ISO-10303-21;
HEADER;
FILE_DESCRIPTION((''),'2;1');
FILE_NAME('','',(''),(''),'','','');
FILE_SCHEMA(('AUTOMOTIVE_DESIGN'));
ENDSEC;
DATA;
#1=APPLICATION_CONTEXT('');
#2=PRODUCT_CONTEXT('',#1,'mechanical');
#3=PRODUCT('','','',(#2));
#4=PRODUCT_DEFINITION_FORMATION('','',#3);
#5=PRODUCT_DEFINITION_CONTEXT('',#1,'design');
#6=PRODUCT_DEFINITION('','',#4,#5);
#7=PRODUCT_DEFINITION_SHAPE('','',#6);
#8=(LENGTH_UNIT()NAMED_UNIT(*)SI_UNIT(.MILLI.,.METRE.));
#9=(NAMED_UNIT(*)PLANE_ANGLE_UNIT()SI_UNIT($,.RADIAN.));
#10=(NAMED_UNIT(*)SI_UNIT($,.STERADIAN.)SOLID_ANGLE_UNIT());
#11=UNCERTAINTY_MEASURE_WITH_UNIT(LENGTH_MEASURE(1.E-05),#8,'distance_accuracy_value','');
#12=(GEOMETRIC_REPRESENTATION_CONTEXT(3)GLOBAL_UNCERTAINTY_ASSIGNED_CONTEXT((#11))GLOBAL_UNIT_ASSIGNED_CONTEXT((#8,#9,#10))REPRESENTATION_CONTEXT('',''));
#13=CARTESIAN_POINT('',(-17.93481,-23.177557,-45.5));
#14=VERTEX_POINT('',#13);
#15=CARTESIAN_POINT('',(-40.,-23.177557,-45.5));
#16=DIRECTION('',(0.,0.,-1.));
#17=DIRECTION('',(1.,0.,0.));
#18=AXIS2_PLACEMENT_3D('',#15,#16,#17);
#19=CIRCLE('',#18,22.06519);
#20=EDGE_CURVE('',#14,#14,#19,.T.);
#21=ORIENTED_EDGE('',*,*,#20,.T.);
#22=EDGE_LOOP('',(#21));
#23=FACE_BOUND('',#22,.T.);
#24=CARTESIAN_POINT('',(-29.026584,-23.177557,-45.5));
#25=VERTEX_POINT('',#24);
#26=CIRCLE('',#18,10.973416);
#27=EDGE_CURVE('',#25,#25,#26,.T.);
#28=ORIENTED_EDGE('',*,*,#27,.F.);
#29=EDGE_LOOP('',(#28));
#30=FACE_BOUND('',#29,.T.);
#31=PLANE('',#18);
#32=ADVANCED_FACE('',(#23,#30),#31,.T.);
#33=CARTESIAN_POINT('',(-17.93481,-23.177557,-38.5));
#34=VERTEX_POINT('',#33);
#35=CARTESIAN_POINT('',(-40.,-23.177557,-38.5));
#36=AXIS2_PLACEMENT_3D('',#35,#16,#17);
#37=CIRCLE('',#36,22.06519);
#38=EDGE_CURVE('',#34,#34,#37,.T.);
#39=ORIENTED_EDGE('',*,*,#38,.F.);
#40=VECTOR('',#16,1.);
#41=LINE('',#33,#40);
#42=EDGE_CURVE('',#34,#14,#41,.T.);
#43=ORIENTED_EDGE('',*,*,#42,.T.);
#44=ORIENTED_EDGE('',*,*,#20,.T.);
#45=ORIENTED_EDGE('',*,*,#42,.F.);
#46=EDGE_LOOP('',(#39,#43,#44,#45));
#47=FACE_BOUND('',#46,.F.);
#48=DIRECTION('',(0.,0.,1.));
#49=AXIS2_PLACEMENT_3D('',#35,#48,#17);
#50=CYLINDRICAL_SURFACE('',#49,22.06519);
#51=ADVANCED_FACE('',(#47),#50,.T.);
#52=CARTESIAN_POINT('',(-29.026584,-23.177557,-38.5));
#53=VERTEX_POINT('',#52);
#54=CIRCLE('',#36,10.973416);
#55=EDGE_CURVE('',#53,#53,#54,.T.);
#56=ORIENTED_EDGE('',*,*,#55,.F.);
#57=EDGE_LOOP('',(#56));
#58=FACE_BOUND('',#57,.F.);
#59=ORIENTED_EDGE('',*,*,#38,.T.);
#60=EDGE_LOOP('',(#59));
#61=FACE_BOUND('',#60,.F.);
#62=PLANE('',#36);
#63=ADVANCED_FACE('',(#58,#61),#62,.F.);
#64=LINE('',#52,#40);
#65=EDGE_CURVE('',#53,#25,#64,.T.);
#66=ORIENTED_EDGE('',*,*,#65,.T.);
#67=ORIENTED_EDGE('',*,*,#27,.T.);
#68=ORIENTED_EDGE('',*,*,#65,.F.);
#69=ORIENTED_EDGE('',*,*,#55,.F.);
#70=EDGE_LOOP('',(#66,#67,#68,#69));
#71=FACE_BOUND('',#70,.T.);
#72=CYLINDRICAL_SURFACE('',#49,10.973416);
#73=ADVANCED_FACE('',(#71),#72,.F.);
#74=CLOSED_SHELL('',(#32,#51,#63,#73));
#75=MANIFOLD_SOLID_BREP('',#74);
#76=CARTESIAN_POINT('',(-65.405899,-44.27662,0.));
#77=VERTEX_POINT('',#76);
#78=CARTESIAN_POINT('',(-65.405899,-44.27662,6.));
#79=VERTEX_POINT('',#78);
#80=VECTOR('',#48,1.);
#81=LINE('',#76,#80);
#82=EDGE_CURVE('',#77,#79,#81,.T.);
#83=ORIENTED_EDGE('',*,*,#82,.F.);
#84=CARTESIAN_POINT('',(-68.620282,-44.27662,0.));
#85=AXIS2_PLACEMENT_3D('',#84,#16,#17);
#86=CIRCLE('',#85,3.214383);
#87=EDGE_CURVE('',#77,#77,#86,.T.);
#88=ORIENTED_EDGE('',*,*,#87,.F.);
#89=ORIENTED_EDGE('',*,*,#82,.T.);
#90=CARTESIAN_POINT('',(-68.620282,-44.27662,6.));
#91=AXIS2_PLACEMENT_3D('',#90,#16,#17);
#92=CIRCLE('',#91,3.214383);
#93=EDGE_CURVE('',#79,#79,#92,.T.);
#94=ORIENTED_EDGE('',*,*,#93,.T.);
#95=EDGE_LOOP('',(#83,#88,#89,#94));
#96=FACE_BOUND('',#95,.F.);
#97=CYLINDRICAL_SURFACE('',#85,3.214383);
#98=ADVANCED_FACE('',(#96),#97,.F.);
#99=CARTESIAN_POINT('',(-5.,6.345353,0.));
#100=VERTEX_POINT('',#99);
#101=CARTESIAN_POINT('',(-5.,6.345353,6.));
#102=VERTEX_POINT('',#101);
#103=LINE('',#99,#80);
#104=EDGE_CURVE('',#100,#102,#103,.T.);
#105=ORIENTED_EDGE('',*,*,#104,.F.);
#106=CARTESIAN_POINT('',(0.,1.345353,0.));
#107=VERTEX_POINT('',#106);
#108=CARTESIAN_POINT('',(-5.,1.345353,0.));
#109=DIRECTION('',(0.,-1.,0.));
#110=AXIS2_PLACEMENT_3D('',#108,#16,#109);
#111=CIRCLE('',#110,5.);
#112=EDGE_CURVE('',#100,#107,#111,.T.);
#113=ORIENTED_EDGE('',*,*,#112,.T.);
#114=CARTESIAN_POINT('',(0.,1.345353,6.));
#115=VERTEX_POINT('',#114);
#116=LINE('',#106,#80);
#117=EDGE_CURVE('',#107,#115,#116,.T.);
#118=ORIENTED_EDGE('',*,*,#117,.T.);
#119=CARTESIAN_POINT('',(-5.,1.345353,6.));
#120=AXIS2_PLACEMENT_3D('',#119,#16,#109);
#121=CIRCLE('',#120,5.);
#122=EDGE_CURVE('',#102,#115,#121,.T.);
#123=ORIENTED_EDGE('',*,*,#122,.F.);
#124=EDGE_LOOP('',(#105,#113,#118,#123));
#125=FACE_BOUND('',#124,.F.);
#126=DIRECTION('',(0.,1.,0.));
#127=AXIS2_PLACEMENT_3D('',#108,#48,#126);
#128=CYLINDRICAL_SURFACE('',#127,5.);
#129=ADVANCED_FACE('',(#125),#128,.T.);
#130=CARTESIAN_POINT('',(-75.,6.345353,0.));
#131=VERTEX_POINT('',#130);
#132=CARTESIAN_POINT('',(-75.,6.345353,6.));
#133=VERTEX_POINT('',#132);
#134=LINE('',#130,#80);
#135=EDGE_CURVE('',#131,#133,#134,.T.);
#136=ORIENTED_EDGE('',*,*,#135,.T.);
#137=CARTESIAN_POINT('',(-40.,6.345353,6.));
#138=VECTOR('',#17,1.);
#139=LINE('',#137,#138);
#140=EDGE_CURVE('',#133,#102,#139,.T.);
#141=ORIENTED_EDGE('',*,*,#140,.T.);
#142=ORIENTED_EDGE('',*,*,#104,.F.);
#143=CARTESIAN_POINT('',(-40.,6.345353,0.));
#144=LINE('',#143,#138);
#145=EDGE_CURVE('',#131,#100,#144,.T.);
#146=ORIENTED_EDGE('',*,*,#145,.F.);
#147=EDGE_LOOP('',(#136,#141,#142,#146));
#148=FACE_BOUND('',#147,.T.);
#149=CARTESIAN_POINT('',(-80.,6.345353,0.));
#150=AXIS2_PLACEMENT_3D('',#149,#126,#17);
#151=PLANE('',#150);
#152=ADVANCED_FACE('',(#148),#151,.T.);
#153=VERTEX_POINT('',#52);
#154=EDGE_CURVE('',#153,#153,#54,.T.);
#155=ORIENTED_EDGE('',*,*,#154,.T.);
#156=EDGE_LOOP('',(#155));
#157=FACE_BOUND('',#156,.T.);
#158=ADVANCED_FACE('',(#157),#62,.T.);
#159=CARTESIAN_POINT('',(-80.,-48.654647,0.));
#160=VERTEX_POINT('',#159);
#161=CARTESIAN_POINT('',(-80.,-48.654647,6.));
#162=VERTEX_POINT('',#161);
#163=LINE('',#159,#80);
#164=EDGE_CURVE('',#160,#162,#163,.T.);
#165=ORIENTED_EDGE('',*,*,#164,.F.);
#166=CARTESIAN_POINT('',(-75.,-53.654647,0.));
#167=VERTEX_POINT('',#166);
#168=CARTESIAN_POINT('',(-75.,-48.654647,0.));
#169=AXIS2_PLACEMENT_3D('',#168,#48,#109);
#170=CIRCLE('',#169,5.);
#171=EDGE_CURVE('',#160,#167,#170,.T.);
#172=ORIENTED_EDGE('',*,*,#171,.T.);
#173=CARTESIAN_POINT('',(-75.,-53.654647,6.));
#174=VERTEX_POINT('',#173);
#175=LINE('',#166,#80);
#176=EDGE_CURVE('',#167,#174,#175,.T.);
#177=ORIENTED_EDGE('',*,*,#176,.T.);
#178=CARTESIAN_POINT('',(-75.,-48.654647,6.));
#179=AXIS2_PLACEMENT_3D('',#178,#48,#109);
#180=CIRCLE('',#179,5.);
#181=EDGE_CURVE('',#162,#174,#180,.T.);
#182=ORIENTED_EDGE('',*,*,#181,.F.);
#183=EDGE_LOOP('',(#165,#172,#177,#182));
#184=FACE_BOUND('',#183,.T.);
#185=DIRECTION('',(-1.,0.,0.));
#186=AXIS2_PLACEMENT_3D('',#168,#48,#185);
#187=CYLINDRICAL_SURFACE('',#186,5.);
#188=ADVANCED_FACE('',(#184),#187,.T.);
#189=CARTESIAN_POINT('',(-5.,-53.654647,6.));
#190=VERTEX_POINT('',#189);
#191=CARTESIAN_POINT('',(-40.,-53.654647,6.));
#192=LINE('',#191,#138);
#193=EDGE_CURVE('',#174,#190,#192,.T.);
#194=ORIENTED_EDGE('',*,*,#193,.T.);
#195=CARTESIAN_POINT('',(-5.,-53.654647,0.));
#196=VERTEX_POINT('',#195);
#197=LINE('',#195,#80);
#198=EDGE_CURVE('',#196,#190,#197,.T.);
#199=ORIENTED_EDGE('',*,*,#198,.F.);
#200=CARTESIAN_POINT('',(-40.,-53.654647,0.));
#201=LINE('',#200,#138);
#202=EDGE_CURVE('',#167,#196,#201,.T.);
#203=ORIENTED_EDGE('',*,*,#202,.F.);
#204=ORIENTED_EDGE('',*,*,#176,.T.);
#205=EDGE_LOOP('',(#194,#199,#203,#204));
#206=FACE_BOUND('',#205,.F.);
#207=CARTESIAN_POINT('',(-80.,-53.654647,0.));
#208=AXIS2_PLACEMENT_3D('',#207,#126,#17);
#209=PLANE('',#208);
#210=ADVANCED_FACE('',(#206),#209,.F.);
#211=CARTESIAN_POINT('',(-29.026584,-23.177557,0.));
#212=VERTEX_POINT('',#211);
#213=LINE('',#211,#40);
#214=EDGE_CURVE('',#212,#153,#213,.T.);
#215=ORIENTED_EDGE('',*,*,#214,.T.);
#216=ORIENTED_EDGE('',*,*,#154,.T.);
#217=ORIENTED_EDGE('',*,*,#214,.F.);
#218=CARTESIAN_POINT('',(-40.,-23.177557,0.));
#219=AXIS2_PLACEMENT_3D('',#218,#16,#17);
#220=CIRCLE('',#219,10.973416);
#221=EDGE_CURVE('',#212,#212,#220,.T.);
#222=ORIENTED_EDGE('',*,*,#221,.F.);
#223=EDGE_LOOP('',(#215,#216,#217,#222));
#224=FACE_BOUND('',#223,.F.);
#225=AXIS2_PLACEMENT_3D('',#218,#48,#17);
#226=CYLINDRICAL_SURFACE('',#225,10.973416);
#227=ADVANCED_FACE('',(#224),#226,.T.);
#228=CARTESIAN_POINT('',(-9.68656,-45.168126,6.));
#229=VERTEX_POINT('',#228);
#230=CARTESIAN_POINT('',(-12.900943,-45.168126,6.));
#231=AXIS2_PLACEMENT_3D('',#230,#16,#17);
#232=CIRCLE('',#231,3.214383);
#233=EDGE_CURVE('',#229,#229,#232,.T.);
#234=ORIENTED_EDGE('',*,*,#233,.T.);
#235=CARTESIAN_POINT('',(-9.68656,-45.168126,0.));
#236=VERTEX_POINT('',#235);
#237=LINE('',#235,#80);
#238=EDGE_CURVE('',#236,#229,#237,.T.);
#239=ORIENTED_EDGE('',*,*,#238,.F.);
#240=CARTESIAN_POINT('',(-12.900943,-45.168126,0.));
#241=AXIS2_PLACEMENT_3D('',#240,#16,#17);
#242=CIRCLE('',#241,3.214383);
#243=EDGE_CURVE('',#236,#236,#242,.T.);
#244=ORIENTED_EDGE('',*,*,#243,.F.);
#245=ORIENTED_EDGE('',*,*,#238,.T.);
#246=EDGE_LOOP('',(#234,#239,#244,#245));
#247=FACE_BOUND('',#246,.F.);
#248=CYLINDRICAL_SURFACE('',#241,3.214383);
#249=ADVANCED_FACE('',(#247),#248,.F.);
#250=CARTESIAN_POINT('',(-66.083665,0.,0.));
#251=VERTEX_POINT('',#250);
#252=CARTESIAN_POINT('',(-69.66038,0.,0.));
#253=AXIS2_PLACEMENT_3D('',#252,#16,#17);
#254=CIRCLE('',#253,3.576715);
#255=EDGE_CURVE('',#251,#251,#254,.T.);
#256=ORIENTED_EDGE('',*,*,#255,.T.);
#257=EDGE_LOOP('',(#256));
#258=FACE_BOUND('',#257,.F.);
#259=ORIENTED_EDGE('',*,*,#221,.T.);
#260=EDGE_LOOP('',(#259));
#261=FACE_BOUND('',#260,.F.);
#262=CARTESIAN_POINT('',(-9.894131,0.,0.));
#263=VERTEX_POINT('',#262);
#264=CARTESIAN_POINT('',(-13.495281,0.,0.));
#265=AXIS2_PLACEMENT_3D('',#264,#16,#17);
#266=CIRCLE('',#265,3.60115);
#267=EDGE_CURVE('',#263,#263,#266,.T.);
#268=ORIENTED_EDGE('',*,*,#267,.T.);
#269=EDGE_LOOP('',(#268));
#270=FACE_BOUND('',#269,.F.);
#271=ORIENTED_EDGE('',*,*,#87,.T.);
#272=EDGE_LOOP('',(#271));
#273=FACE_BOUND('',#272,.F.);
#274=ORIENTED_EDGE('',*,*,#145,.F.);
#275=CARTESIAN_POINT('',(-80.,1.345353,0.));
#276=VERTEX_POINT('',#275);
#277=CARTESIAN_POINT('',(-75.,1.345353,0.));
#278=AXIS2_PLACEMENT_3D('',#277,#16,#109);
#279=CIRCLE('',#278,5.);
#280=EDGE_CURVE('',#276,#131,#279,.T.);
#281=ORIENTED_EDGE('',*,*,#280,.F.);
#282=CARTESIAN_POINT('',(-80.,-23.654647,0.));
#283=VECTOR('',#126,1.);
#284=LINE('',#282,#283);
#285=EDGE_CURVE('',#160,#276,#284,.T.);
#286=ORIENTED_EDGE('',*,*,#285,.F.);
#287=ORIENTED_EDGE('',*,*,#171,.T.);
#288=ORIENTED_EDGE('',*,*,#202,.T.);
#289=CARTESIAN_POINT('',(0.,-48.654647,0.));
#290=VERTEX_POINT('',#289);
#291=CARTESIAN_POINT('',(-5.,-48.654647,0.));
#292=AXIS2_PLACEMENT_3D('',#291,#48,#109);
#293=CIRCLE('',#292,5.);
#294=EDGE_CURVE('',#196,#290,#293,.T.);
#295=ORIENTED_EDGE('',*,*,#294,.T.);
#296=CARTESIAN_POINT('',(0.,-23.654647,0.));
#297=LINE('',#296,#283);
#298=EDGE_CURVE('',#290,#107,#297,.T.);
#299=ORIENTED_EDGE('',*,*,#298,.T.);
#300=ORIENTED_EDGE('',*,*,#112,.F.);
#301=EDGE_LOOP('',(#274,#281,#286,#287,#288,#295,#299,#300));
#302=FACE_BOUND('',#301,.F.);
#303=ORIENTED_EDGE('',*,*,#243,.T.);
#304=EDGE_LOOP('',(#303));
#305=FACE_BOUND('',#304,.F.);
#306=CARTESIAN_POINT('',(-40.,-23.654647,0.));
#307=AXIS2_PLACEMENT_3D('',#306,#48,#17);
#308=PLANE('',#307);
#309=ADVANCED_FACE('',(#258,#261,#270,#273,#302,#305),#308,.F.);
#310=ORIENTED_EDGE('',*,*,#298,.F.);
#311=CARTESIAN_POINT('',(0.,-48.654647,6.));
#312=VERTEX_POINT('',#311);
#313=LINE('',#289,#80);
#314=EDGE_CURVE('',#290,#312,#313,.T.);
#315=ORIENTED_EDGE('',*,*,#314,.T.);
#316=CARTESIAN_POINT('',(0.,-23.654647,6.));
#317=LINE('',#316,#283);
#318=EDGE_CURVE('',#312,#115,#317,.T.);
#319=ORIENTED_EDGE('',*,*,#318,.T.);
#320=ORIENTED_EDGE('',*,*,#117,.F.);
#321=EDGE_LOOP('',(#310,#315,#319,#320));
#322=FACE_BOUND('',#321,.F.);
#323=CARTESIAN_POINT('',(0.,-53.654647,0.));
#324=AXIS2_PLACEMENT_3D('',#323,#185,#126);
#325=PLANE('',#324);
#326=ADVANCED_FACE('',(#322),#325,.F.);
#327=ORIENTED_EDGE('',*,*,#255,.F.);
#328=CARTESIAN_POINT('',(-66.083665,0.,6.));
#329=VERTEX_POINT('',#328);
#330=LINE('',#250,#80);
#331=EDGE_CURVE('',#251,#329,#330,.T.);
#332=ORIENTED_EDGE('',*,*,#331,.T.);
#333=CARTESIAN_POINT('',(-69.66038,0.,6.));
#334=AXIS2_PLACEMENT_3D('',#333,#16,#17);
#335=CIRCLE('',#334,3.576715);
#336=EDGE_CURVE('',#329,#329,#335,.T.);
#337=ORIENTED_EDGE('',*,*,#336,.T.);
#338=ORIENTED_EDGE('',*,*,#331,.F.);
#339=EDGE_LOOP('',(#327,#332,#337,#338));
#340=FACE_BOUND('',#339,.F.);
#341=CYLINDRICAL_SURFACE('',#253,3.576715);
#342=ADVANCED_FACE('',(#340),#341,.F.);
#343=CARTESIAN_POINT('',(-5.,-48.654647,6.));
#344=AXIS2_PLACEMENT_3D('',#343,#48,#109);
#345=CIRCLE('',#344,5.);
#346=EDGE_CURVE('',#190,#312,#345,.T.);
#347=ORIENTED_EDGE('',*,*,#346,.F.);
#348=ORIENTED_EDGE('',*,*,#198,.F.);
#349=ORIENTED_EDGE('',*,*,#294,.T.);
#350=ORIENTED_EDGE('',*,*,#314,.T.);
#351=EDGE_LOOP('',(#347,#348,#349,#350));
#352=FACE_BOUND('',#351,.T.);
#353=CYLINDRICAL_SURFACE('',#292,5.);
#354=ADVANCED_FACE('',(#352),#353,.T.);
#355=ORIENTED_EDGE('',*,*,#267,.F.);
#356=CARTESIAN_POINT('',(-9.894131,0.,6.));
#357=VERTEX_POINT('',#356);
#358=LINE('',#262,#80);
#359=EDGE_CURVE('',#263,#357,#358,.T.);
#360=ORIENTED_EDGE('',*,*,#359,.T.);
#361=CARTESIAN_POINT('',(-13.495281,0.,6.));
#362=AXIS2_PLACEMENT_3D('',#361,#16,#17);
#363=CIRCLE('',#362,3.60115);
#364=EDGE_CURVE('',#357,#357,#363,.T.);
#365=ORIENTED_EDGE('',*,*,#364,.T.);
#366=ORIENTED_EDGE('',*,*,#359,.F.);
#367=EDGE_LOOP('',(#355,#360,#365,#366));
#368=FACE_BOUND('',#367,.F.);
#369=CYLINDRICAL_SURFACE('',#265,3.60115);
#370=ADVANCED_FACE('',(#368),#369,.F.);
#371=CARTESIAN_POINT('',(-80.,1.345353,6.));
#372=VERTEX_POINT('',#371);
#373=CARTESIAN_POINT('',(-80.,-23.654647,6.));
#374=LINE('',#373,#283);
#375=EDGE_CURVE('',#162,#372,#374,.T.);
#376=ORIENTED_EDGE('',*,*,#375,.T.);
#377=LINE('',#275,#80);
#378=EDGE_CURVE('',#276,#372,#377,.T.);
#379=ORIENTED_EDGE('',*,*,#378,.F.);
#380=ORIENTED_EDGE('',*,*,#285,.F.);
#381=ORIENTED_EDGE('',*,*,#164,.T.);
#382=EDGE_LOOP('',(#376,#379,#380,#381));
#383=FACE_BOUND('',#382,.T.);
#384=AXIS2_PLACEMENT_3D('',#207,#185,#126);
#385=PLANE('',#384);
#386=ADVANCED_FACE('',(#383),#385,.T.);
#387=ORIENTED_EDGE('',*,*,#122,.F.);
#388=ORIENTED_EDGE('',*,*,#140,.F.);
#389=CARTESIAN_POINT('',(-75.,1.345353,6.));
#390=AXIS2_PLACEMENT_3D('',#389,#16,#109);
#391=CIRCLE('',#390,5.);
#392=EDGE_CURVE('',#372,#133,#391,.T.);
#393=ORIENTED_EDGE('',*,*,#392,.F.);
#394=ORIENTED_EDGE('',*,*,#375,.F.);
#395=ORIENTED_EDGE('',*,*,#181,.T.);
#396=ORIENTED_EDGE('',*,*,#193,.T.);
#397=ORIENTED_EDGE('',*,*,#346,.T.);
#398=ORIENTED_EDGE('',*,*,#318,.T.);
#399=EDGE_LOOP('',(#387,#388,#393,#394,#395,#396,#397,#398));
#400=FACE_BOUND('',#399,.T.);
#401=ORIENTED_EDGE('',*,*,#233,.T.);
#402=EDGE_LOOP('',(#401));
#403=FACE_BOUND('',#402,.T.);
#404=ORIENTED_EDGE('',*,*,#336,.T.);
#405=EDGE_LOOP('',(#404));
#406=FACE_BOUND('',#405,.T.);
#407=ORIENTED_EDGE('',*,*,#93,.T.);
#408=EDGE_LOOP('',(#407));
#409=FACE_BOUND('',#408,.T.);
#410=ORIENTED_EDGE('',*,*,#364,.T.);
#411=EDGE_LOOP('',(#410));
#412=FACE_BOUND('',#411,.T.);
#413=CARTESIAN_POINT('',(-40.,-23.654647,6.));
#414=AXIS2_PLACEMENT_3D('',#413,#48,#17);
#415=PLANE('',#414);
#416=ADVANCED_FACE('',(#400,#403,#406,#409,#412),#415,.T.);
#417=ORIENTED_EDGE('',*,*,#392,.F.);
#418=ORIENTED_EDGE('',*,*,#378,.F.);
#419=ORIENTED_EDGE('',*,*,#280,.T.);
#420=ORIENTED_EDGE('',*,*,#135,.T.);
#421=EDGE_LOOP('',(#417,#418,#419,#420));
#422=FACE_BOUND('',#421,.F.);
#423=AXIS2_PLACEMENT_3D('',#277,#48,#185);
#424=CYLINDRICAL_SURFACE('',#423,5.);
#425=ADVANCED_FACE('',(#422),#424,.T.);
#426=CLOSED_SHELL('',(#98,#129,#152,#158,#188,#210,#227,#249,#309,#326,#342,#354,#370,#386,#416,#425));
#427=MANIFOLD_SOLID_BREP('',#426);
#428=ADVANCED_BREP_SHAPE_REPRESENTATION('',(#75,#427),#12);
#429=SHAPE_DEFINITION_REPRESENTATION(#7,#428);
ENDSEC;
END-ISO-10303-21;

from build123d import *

# Parameters (mm, degrees)
F0_W      = 80
F0_H      = 60
F1_DEPTH  = 6
F2_R      = 5
F3_R      = 5
F4_R      = 10.973416
F5_DEPTH  = 38.5
F6_R      = 22.06519
F6_R_2    = 10.973416
F7_DEPTH  = 7
F8_R      = 3.214383
F9_DEPTH  = 6
F10_R     = 3.60115
F11_DEPTH = 6.001
F12_R     = 3.576715
F13_DEPTH = 6.001


with BuildPart() as f1:
    # F0 (on Top) → F1 (new body)
    with BuildSketch(Plane.XY):
        with Locations((-40, -23.654647)):
            Rectangle(F0_W, F0_H)
    extrude(amount=F1_DEPTH)

    # F2
    f2_edges = [f1.edges().sort_by_distance(p)[0] for p in [
        (-80, -53.654647, 3),
    ]]
    fillet(f2_edges, radius=F2_R)

    # F3
    f3_edges = [f1.edges().sort_by_distance(p)[0] for p in [
        (-80, 6.345353, 3),
        (0, 6.345353, 3),
        (0, -53.654647, 3),
    ]]
    fillet(f3_edges, radius=F3_R)

    # F4 (on face) → F5 (join)
    with BuildSketch(Plane(origin=(0, 0, 0), x_dir=(1, 0, 0), z_dir=(0, 0, -1))):
        with Locations((-40, 23.177557)):
            Circle(F4_R)
    extrude(amount=F5_DEPTH)

    # F8 (on face) → F9 (cut, through all)
    with BuildSketch(Plane(origin=(0, 0, 0), x_dir=(1, 0, 0), z_dir=(0, 0, -1))):
        with Locations((-68.620282, 44.27662)):
            Circle(F8_R)
        with Locations((-12.900943, 45.168126)):
            Circle(F8_R)
    extrude(amount=-F9_DEPTH, mode=Mode.SUBTRACT)

    # F10 (on face) → F11 (cut, through all)
    with BuildSketch(Plane(origin=(0, 0, 0), x_dir=(1, 0, 0), z_dir=(0, 0, -1))):
        with Locations((-13.495281, 0)):
            Circle(F10_R)
    extrude(amount=-F11_DEPTH, mode=Mode.SUBTRACT)

    # F12 (on face) → F13 (cut, through all)
    with BuildSketch(Plane(origin=(0, 0, 0), x_dir=(1, 0, 0), z_dir=(0, 0, -1))):
        with Locations((-69.66038, 0)):
            Circle(F12_R)
    extrude(amount=-F13_DEPTH, mode=Mode.SUBTRACT)


with BuildPart() as f7:
    # F6 (on face) → F7 (new body)
    with BuildSketch(Plane(origin=(0, 0, -38.5), x_dir=(1, 0, 0), z_dir=(0, 0, -1))):
        with Locations((-40, 23.177557)):
            Circle(F6_R)
        with Locations((-40, 23.177557)):
            Circle(F6_R_2, mode=Mode.SUBTRACT)
    extrude(amount=F7_DEPTH)


solid = Compound([f1.part, f7.part])
